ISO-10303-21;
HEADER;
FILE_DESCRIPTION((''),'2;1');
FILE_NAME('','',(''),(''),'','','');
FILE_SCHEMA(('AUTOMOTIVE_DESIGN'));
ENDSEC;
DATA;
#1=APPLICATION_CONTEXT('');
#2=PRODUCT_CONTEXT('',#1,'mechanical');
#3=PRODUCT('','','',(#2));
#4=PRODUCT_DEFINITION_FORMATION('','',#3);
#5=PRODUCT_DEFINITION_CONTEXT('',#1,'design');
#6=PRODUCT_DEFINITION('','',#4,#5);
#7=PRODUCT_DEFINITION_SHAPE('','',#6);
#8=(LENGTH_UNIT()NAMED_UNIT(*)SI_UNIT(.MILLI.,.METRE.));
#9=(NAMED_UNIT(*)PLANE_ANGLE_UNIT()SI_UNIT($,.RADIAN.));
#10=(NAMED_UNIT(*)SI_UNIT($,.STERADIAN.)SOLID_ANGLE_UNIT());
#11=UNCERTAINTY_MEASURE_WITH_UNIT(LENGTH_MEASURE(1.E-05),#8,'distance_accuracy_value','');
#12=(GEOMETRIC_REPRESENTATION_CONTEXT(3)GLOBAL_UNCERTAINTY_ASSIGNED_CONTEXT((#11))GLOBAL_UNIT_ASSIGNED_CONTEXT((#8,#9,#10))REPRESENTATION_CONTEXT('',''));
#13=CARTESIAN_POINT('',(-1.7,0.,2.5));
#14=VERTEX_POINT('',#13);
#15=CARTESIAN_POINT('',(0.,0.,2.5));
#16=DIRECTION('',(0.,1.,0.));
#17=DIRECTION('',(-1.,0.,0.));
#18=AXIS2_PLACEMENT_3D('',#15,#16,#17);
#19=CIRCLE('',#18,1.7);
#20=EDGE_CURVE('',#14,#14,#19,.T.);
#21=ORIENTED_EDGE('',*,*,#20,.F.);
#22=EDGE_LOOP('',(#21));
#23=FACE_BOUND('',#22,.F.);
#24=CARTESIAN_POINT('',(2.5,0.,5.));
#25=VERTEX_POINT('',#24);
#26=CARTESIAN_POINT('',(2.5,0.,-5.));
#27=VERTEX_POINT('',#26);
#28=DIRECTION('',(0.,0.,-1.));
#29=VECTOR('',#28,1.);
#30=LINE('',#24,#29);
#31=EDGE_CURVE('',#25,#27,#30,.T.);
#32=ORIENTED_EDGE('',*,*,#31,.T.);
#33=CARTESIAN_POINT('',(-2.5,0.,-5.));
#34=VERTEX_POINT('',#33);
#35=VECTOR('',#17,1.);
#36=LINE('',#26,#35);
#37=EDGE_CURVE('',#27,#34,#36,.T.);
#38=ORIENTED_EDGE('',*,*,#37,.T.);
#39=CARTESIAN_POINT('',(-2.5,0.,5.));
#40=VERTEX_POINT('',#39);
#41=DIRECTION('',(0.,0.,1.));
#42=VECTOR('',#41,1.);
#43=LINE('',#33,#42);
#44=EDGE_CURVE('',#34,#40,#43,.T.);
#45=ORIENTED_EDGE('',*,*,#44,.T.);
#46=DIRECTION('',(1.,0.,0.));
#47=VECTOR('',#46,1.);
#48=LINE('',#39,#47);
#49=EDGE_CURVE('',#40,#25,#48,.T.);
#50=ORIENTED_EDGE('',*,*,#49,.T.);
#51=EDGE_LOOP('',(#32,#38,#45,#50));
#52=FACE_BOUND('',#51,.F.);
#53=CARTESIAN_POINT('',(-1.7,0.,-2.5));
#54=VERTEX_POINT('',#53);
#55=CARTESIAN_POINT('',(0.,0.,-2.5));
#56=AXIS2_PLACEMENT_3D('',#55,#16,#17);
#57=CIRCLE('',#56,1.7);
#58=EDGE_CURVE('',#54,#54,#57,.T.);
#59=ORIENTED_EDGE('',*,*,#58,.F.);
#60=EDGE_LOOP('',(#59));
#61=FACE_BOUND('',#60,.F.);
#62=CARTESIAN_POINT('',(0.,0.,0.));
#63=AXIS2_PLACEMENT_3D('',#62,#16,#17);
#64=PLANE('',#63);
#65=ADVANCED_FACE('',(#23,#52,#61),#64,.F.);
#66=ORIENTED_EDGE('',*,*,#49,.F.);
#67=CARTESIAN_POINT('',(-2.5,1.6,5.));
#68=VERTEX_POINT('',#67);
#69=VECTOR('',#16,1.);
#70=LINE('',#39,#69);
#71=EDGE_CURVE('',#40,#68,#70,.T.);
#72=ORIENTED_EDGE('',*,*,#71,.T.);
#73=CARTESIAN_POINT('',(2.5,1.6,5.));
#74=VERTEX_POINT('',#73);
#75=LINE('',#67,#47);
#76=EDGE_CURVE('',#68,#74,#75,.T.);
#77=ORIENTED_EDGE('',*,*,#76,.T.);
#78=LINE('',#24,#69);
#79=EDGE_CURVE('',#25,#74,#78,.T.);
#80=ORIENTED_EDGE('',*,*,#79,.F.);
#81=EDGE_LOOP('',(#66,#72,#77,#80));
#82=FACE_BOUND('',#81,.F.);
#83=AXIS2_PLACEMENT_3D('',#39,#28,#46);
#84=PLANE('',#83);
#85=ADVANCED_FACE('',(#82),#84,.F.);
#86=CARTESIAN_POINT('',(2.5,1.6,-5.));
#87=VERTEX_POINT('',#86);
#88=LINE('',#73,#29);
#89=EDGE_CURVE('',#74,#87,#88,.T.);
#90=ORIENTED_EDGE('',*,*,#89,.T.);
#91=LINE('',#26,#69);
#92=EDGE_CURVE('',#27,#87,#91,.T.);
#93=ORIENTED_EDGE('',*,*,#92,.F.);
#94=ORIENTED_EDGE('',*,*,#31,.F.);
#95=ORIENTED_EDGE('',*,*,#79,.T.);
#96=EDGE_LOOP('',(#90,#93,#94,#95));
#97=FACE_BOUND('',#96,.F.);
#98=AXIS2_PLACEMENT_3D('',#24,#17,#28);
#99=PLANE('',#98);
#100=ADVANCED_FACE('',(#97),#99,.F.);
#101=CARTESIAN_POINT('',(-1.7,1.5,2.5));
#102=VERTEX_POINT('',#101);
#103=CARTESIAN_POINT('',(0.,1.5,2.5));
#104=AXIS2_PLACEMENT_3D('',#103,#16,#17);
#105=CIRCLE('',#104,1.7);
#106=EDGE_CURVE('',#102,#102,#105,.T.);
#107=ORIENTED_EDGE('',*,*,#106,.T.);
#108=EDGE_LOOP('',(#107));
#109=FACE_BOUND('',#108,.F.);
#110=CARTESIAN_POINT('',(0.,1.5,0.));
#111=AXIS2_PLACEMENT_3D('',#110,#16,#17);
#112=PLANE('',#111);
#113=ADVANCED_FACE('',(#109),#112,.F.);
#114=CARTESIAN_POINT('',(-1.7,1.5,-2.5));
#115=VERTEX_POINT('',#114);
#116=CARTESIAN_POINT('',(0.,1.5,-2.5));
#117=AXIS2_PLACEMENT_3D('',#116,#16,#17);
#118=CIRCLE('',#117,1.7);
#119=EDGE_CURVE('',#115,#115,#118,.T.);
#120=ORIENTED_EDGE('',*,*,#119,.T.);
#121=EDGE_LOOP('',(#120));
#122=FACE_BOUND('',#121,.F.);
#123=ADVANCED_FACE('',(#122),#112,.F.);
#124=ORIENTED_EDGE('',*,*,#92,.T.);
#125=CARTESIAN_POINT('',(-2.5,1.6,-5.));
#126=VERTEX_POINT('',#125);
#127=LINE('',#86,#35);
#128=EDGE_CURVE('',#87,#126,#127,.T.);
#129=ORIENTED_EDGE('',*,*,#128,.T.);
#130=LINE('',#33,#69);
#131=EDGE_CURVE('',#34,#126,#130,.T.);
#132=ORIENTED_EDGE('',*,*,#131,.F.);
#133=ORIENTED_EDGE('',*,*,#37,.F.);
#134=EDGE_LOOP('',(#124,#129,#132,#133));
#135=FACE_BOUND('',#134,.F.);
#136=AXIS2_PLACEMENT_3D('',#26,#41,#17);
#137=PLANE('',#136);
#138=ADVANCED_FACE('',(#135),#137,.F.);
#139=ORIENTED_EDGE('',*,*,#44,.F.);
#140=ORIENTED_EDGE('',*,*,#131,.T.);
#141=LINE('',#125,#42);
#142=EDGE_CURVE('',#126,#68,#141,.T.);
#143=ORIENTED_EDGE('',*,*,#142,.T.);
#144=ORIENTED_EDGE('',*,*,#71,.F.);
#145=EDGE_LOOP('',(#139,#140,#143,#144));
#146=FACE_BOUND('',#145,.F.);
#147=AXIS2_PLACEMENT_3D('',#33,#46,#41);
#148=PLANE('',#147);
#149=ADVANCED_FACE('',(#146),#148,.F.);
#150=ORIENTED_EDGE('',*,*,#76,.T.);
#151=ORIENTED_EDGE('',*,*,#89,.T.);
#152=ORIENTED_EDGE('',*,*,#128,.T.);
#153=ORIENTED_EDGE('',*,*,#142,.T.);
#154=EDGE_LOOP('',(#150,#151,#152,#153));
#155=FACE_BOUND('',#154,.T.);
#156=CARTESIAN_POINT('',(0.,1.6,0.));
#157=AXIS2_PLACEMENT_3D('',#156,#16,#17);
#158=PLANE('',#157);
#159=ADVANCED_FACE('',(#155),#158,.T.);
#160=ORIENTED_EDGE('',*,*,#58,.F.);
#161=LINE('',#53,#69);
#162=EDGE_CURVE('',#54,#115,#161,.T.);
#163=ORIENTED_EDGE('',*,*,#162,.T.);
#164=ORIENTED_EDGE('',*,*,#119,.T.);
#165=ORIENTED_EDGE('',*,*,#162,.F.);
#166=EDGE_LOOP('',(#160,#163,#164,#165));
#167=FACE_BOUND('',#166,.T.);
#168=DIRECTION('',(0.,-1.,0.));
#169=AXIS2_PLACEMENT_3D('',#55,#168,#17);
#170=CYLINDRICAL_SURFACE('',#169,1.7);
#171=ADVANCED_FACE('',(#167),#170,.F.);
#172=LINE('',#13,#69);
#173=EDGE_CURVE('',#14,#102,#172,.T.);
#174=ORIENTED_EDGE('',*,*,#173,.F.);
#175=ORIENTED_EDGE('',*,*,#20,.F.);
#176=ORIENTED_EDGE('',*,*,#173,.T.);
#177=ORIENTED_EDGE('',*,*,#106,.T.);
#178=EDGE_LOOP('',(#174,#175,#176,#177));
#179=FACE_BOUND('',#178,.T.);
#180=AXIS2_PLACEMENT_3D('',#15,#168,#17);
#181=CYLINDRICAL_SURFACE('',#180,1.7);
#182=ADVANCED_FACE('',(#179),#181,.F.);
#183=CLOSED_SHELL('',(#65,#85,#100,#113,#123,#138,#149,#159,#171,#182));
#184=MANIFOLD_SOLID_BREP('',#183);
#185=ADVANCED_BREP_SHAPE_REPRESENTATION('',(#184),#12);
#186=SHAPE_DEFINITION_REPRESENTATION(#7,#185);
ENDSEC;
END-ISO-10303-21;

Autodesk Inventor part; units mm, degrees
ref_plane "YZ Plane" through (0, 0, 0) normal (1, 0, 0) x (0, 1, 0)
ref_plane "XZ Plane" through (0, 0, 0) normal (0, 1, 0) x (-1, 0, 0)
ref_plane "XY Plane" through (0, 0, 0) normal (0, 0, 1) x (1, 0, 0)
sketch "草圖1" plane through (0, 0, 0) normal (0, 1, 0) x (-1, 0, 0)
  line L0 (2.5, 5) -> (-2.5, 5)
  line L1 (-2.5, 5) -> (-2.5, -5)
  line L2 (-2.5, -5) -> (2.5, -5)
  line L3 (2.5, -5) -> (2.5, 5)
  circle A0 centre (0, 2.5) radius 1.7
  line L4 (2.5, 0) -> (-2.5, 0) construction
  circle A1 centre (0, -2.5) radius 1.7
  point P0 (0, 0)
  point P1 (0, 5)
  dimension "d0" = 5
  dimension "d1" = 10
  dimension "d2" = 3.4
  dimension "d3" = 2.5
  dimension "d4" = 2.5
extrude "擠出1" add sketch "草圖1" along normal blind 1.6 contours L3 L2 L1 L0 | A0 | A1
extrude "擠出2" cut sketch "草圖1" along normal blind 1.5 contours A0 | A1
extrude "擠出3" cut sketch "草圖1" along normal blind 1.5 contours A0 | A1
properties part number "110033226_ipt_12_平滑面(2x1)"
